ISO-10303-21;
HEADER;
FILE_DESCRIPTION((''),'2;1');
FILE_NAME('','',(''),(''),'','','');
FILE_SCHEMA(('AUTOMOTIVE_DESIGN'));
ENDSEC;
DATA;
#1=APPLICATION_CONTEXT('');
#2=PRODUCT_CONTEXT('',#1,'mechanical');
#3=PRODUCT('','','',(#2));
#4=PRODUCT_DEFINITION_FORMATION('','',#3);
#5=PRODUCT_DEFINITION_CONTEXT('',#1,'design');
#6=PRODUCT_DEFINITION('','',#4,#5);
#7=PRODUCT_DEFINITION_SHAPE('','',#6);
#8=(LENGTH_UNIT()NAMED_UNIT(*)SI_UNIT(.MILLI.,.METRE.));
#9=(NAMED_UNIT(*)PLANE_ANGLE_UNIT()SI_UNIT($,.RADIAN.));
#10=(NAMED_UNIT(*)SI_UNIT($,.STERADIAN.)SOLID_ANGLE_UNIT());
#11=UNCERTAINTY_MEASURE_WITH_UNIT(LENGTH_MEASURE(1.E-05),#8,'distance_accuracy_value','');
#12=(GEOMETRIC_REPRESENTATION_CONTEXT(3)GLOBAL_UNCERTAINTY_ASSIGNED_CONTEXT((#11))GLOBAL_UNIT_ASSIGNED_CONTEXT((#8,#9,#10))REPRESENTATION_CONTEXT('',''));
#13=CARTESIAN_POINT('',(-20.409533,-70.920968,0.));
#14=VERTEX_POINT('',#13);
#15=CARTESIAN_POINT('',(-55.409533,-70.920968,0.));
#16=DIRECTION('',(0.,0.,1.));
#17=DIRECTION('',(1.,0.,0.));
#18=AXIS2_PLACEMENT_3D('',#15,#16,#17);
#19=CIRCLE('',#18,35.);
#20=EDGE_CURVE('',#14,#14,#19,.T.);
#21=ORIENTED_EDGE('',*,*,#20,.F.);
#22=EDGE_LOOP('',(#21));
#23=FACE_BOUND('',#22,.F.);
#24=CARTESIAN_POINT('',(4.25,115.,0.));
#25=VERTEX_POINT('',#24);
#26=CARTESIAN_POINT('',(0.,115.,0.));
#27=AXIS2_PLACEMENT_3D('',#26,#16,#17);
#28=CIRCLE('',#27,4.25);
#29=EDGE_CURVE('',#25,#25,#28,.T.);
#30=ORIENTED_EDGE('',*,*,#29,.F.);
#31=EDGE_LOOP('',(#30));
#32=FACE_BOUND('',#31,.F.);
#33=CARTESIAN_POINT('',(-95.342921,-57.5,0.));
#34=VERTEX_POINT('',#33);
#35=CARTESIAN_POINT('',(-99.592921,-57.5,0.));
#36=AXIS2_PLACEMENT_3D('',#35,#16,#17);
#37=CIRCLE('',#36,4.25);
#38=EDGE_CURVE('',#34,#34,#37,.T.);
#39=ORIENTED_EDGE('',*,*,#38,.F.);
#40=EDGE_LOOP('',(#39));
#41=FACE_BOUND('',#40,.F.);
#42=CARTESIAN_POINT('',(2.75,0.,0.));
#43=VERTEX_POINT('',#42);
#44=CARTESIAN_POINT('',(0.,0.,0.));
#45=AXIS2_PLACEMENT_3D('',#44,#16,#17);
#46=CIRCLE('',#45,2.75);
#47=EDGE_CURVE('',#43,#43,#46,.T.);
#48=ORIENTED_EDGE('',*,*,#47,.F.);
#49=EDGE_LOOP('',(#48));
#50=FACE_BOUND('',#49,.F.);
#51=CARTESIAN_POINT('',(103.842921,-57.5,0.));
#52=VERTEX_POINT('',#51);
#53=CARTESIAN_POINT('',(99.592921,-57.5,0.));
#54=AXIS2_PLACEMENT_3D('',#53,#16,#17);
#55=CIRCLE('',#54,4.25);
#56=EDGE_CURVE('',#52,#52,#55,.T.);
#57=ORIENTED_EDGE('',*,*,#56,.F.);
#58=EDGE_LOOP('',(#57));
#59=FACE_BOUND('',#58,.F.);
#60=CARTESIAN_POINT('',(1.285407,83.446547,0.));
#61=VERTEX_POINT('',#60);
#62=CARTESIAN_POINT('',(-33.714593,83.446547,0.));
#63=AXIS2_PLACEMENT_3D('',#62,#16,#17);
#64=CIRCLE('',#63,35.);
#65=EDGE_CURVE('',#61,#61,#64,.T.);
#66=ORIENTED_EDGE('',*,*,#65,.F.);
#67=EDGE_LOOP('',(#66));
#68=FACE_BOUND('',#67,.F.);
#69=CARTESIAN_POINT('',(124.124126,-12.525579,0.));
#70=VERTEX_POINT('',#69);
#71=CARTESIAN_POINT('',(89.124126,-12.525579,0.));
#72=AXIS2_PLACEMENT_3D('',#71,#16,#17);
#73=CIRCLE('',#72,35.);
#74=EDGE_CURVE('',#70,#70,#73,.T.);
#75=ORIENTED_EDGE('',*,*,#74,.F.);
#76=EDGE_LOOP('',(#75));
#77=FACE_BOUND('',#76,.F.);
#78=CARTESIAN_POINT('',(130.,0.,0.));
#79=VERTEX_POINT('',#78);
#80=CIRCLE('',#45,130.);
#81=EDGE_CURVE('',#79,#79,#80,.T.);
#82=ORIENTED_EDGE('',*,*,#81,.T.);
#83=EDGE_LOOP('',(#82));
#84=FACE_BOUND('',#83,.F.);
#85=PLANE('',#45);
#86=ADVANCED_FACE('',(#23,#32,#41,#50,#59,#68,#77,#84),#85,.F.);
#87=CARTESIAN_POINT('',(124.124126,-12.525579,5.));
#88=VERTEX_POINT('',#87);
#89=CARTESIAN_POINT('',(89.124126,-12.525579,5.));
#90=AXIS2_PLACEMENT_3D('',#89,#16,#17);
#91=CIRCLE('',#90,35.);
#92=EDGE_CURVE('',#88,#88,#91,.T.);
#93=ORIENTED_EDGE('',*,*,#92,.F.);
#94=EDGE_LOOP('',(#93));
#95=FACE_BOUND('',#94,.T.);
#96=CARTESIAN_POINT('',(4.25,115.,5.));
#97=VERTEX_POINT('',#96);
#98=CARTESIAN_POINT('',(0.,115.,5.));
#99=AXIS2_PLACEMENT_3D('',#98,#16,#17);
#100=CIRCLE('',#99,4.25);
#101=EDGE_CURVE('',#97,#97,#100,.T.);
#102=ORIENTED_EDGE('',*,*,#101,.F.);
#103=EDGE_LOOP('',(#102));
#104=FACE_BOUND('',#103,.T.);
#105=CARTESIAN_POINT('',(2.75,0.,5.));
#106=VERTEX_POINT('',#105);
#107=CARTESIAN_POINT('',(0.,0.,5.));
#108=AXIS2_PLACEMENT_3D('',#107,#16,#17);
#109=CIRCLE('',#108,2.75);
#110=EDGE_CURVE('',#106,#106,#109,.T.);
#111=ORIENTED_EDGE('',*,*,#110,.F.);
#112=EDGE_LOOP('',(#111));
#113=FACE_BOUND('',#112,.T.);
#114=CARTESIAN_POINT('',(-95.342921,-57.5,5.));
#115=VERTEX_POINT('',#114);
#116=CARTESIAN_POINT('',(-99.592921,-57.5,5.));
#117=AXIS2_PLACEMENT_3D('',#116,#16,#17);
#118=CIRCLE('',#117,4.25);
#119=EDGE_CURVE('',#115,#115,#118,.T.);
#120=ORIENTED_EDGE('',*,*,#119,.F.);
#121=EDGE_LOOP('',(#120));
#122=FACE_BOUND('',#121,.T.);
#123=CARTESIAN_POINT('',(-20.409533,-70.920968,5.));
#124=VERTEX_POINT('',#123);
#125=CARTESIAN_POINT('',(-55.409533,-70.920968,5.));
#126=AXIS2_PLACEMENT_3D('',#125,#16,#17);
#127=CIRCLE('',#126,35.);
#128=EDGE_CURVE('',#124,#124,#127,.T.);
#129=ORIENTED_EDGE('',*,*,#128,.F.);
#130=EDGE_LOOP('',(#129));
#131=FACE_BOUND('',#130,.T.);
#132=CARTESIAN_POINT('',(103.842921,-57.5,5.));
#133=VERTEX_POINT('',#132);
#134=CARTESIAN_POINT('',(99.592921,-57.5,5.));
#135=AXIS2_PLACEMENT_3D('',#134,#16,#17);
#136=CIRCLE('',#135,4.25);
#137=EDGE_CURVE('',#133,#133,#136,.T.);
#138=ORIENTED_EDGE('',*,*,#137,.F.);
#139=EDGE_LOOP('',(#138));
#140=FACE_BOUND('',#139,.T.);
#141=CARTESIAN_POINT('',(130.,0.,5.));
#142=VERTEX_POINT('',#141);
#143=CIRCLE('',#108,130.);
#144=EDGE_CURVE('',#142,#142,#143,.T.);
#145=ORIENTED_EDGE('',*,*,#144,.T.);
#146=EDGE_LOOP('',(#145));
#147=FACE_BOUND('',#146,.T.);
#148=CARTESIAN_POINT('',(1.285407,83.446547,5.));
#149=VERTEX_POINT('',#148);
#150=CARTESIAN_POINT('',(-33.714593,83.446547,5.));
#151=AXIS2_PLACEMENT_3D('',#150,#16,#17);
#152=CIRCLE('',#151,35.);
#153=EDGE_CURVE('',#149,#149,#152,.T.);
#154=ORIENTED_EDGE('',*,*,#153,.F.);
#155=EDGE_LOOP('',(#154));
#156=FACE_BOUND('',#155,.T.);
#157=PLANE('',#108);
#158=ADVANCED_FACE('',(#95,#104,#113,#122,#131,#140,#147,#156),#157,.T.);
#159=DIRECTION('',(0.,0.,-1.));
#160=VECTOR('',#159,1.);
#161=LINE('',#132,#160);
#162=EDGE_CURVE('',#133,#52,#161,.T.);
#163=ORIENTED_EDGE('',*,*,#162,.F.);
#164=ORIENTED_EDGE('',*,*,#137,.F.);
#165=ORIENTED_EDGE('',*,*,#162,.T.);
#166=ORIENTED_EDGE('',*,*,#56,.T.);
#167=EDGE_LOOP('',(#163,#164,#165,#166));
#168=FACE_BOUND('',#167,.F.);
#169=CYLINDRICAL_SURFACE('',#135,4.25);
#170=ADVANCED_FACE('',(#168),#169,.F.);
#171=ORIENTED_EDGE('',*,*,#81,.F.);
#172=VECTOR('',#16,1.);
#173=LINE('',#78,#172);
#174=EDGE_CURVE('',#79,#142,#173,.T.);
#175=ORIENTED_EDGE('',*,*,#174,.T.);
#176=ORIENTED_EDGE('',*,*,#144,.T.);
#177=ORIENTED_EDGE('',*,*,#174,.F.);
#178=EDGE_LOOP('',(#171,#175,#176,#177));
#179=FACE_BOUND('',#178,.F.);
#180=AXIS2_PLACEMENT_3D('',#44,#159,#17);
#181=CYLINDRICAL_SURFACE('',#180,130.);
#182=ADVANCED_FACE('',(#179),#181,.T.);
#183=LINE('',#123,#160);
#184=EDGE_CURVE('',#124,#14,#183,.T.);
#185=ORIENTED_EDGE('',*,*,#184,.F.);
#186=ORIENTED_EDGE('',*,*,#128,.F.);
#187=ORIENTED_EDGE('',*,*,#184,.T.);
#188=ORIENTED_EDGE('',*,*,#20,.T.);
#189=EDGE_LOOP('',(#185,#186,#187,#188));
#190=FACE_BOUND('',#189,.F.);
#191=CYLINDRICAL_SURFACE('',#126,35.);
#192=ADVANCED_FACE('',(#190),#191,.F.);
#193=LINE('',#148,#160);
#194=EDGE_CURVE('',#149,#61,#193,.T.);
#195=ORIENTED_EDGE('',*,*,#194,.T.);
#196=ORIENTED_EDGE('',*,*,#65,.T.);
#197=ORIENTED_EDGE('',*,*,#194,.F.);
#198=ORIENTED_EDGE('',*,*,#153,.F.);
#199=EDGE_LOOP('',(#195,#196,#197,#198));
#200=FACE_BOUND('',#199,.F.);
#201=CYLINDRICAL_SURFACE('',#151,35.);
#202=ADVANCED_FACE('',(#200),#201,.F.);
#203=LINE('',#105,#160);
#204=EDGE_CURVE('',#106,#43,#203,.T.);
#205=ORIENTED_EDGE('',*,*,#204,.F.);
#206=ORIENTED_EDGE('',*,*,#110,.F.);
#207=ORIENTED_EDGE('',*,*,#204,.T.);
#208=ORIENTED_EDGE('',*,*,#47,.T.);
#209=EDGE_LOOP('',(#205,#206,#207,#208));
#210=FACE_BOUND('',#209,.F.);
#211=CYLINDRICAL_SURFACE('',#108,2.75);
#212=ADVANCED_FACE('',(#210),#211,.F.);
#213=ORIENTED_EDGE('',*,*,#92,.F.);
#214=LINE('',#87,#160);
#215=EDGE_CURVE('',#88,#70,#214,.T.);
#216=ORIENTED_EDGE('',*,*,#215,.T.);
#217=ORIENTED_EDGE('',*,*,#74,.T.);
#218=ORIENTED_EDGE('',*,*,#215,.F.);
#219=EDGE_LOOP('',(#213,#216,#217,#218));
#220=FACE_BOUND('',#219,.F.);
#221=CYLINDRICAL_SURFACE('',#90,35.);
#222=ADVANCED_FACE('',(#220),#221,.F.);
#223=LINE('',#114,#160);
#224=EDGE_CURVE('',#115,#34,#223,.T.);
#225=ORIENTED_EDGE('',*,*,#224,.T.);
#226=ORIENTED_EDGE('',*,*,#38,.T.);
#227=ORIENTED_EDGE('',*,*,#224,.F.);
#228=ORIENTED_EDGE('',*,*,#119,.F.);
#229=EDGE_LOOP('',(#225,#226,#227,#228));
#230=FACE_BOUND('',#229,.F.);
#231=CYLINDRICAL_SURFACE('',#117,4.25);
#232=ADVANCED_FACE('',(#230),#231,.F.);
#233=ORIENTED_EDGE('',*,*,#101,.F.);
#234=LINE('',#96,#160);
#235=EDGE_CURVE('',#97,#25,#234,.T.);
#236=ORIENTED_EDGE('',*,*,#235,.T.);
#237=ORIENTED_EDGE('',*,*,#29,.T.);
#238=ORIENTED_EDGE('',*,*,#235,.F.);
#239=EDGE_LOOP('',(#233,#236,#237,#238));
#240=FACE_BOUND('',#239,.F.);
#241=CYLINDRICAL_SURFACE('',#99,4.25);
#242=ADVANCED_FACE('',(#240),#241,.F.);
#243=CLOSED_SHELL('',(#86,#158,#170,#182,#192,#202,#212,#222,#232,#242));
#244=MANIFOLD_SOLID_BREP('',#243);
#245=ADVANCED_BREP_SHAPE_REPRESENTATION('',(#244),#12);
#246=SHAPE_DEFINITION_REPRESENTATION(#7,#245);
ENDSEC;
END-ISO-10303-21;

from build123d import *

# Parameters (mm, degrees)
F0_R     = 130
F1_DEPTH = 5
F2_R     = 2.75
F2_R_2   = 4.25
F3_DEPTH = 5.001
F4_R     = 35
F5_DEPTH = 5.001


with BuildPart() as f1:
    # F0 (on Top) → F1 (new body)
    with BuildSketch(Plane.XY):
        Circle(F0_R)
    extrude(amount=F1_DEPTH)

    # F2 (on face) → F3 (cut, through all)
    with BuildSketch(Plane.XY.offset(5)):
        Circle(F2_R)
        with Locations((0, 115)):
            Circle(F2_R_2)
        with Locations((-99.592921, -57.5)):
            Circle(F2_R_2)
        with Locations((99.592921, -57.5)):
            Circle(F2_R_2)
    extrude(amount=-F3_DEPTH, mode=Mode.SUBTRACT)

    # F4 (on face) → F5 (cut, through all)
    with BuildSketch(Plane.XY.offset(5)):
        with Locations((-33.714593, 83.446547)):
            Circle(F4_R)
        with Locations((89.124126, -12.525579)):
            Circle(F4_R)
        with Locations((-55.409533, -70.920968)):
            Circle(F4_R)
    extrude(amount=-F5_DEPTH, mode=Mode.SUBTRACT)


solid = f1.part
